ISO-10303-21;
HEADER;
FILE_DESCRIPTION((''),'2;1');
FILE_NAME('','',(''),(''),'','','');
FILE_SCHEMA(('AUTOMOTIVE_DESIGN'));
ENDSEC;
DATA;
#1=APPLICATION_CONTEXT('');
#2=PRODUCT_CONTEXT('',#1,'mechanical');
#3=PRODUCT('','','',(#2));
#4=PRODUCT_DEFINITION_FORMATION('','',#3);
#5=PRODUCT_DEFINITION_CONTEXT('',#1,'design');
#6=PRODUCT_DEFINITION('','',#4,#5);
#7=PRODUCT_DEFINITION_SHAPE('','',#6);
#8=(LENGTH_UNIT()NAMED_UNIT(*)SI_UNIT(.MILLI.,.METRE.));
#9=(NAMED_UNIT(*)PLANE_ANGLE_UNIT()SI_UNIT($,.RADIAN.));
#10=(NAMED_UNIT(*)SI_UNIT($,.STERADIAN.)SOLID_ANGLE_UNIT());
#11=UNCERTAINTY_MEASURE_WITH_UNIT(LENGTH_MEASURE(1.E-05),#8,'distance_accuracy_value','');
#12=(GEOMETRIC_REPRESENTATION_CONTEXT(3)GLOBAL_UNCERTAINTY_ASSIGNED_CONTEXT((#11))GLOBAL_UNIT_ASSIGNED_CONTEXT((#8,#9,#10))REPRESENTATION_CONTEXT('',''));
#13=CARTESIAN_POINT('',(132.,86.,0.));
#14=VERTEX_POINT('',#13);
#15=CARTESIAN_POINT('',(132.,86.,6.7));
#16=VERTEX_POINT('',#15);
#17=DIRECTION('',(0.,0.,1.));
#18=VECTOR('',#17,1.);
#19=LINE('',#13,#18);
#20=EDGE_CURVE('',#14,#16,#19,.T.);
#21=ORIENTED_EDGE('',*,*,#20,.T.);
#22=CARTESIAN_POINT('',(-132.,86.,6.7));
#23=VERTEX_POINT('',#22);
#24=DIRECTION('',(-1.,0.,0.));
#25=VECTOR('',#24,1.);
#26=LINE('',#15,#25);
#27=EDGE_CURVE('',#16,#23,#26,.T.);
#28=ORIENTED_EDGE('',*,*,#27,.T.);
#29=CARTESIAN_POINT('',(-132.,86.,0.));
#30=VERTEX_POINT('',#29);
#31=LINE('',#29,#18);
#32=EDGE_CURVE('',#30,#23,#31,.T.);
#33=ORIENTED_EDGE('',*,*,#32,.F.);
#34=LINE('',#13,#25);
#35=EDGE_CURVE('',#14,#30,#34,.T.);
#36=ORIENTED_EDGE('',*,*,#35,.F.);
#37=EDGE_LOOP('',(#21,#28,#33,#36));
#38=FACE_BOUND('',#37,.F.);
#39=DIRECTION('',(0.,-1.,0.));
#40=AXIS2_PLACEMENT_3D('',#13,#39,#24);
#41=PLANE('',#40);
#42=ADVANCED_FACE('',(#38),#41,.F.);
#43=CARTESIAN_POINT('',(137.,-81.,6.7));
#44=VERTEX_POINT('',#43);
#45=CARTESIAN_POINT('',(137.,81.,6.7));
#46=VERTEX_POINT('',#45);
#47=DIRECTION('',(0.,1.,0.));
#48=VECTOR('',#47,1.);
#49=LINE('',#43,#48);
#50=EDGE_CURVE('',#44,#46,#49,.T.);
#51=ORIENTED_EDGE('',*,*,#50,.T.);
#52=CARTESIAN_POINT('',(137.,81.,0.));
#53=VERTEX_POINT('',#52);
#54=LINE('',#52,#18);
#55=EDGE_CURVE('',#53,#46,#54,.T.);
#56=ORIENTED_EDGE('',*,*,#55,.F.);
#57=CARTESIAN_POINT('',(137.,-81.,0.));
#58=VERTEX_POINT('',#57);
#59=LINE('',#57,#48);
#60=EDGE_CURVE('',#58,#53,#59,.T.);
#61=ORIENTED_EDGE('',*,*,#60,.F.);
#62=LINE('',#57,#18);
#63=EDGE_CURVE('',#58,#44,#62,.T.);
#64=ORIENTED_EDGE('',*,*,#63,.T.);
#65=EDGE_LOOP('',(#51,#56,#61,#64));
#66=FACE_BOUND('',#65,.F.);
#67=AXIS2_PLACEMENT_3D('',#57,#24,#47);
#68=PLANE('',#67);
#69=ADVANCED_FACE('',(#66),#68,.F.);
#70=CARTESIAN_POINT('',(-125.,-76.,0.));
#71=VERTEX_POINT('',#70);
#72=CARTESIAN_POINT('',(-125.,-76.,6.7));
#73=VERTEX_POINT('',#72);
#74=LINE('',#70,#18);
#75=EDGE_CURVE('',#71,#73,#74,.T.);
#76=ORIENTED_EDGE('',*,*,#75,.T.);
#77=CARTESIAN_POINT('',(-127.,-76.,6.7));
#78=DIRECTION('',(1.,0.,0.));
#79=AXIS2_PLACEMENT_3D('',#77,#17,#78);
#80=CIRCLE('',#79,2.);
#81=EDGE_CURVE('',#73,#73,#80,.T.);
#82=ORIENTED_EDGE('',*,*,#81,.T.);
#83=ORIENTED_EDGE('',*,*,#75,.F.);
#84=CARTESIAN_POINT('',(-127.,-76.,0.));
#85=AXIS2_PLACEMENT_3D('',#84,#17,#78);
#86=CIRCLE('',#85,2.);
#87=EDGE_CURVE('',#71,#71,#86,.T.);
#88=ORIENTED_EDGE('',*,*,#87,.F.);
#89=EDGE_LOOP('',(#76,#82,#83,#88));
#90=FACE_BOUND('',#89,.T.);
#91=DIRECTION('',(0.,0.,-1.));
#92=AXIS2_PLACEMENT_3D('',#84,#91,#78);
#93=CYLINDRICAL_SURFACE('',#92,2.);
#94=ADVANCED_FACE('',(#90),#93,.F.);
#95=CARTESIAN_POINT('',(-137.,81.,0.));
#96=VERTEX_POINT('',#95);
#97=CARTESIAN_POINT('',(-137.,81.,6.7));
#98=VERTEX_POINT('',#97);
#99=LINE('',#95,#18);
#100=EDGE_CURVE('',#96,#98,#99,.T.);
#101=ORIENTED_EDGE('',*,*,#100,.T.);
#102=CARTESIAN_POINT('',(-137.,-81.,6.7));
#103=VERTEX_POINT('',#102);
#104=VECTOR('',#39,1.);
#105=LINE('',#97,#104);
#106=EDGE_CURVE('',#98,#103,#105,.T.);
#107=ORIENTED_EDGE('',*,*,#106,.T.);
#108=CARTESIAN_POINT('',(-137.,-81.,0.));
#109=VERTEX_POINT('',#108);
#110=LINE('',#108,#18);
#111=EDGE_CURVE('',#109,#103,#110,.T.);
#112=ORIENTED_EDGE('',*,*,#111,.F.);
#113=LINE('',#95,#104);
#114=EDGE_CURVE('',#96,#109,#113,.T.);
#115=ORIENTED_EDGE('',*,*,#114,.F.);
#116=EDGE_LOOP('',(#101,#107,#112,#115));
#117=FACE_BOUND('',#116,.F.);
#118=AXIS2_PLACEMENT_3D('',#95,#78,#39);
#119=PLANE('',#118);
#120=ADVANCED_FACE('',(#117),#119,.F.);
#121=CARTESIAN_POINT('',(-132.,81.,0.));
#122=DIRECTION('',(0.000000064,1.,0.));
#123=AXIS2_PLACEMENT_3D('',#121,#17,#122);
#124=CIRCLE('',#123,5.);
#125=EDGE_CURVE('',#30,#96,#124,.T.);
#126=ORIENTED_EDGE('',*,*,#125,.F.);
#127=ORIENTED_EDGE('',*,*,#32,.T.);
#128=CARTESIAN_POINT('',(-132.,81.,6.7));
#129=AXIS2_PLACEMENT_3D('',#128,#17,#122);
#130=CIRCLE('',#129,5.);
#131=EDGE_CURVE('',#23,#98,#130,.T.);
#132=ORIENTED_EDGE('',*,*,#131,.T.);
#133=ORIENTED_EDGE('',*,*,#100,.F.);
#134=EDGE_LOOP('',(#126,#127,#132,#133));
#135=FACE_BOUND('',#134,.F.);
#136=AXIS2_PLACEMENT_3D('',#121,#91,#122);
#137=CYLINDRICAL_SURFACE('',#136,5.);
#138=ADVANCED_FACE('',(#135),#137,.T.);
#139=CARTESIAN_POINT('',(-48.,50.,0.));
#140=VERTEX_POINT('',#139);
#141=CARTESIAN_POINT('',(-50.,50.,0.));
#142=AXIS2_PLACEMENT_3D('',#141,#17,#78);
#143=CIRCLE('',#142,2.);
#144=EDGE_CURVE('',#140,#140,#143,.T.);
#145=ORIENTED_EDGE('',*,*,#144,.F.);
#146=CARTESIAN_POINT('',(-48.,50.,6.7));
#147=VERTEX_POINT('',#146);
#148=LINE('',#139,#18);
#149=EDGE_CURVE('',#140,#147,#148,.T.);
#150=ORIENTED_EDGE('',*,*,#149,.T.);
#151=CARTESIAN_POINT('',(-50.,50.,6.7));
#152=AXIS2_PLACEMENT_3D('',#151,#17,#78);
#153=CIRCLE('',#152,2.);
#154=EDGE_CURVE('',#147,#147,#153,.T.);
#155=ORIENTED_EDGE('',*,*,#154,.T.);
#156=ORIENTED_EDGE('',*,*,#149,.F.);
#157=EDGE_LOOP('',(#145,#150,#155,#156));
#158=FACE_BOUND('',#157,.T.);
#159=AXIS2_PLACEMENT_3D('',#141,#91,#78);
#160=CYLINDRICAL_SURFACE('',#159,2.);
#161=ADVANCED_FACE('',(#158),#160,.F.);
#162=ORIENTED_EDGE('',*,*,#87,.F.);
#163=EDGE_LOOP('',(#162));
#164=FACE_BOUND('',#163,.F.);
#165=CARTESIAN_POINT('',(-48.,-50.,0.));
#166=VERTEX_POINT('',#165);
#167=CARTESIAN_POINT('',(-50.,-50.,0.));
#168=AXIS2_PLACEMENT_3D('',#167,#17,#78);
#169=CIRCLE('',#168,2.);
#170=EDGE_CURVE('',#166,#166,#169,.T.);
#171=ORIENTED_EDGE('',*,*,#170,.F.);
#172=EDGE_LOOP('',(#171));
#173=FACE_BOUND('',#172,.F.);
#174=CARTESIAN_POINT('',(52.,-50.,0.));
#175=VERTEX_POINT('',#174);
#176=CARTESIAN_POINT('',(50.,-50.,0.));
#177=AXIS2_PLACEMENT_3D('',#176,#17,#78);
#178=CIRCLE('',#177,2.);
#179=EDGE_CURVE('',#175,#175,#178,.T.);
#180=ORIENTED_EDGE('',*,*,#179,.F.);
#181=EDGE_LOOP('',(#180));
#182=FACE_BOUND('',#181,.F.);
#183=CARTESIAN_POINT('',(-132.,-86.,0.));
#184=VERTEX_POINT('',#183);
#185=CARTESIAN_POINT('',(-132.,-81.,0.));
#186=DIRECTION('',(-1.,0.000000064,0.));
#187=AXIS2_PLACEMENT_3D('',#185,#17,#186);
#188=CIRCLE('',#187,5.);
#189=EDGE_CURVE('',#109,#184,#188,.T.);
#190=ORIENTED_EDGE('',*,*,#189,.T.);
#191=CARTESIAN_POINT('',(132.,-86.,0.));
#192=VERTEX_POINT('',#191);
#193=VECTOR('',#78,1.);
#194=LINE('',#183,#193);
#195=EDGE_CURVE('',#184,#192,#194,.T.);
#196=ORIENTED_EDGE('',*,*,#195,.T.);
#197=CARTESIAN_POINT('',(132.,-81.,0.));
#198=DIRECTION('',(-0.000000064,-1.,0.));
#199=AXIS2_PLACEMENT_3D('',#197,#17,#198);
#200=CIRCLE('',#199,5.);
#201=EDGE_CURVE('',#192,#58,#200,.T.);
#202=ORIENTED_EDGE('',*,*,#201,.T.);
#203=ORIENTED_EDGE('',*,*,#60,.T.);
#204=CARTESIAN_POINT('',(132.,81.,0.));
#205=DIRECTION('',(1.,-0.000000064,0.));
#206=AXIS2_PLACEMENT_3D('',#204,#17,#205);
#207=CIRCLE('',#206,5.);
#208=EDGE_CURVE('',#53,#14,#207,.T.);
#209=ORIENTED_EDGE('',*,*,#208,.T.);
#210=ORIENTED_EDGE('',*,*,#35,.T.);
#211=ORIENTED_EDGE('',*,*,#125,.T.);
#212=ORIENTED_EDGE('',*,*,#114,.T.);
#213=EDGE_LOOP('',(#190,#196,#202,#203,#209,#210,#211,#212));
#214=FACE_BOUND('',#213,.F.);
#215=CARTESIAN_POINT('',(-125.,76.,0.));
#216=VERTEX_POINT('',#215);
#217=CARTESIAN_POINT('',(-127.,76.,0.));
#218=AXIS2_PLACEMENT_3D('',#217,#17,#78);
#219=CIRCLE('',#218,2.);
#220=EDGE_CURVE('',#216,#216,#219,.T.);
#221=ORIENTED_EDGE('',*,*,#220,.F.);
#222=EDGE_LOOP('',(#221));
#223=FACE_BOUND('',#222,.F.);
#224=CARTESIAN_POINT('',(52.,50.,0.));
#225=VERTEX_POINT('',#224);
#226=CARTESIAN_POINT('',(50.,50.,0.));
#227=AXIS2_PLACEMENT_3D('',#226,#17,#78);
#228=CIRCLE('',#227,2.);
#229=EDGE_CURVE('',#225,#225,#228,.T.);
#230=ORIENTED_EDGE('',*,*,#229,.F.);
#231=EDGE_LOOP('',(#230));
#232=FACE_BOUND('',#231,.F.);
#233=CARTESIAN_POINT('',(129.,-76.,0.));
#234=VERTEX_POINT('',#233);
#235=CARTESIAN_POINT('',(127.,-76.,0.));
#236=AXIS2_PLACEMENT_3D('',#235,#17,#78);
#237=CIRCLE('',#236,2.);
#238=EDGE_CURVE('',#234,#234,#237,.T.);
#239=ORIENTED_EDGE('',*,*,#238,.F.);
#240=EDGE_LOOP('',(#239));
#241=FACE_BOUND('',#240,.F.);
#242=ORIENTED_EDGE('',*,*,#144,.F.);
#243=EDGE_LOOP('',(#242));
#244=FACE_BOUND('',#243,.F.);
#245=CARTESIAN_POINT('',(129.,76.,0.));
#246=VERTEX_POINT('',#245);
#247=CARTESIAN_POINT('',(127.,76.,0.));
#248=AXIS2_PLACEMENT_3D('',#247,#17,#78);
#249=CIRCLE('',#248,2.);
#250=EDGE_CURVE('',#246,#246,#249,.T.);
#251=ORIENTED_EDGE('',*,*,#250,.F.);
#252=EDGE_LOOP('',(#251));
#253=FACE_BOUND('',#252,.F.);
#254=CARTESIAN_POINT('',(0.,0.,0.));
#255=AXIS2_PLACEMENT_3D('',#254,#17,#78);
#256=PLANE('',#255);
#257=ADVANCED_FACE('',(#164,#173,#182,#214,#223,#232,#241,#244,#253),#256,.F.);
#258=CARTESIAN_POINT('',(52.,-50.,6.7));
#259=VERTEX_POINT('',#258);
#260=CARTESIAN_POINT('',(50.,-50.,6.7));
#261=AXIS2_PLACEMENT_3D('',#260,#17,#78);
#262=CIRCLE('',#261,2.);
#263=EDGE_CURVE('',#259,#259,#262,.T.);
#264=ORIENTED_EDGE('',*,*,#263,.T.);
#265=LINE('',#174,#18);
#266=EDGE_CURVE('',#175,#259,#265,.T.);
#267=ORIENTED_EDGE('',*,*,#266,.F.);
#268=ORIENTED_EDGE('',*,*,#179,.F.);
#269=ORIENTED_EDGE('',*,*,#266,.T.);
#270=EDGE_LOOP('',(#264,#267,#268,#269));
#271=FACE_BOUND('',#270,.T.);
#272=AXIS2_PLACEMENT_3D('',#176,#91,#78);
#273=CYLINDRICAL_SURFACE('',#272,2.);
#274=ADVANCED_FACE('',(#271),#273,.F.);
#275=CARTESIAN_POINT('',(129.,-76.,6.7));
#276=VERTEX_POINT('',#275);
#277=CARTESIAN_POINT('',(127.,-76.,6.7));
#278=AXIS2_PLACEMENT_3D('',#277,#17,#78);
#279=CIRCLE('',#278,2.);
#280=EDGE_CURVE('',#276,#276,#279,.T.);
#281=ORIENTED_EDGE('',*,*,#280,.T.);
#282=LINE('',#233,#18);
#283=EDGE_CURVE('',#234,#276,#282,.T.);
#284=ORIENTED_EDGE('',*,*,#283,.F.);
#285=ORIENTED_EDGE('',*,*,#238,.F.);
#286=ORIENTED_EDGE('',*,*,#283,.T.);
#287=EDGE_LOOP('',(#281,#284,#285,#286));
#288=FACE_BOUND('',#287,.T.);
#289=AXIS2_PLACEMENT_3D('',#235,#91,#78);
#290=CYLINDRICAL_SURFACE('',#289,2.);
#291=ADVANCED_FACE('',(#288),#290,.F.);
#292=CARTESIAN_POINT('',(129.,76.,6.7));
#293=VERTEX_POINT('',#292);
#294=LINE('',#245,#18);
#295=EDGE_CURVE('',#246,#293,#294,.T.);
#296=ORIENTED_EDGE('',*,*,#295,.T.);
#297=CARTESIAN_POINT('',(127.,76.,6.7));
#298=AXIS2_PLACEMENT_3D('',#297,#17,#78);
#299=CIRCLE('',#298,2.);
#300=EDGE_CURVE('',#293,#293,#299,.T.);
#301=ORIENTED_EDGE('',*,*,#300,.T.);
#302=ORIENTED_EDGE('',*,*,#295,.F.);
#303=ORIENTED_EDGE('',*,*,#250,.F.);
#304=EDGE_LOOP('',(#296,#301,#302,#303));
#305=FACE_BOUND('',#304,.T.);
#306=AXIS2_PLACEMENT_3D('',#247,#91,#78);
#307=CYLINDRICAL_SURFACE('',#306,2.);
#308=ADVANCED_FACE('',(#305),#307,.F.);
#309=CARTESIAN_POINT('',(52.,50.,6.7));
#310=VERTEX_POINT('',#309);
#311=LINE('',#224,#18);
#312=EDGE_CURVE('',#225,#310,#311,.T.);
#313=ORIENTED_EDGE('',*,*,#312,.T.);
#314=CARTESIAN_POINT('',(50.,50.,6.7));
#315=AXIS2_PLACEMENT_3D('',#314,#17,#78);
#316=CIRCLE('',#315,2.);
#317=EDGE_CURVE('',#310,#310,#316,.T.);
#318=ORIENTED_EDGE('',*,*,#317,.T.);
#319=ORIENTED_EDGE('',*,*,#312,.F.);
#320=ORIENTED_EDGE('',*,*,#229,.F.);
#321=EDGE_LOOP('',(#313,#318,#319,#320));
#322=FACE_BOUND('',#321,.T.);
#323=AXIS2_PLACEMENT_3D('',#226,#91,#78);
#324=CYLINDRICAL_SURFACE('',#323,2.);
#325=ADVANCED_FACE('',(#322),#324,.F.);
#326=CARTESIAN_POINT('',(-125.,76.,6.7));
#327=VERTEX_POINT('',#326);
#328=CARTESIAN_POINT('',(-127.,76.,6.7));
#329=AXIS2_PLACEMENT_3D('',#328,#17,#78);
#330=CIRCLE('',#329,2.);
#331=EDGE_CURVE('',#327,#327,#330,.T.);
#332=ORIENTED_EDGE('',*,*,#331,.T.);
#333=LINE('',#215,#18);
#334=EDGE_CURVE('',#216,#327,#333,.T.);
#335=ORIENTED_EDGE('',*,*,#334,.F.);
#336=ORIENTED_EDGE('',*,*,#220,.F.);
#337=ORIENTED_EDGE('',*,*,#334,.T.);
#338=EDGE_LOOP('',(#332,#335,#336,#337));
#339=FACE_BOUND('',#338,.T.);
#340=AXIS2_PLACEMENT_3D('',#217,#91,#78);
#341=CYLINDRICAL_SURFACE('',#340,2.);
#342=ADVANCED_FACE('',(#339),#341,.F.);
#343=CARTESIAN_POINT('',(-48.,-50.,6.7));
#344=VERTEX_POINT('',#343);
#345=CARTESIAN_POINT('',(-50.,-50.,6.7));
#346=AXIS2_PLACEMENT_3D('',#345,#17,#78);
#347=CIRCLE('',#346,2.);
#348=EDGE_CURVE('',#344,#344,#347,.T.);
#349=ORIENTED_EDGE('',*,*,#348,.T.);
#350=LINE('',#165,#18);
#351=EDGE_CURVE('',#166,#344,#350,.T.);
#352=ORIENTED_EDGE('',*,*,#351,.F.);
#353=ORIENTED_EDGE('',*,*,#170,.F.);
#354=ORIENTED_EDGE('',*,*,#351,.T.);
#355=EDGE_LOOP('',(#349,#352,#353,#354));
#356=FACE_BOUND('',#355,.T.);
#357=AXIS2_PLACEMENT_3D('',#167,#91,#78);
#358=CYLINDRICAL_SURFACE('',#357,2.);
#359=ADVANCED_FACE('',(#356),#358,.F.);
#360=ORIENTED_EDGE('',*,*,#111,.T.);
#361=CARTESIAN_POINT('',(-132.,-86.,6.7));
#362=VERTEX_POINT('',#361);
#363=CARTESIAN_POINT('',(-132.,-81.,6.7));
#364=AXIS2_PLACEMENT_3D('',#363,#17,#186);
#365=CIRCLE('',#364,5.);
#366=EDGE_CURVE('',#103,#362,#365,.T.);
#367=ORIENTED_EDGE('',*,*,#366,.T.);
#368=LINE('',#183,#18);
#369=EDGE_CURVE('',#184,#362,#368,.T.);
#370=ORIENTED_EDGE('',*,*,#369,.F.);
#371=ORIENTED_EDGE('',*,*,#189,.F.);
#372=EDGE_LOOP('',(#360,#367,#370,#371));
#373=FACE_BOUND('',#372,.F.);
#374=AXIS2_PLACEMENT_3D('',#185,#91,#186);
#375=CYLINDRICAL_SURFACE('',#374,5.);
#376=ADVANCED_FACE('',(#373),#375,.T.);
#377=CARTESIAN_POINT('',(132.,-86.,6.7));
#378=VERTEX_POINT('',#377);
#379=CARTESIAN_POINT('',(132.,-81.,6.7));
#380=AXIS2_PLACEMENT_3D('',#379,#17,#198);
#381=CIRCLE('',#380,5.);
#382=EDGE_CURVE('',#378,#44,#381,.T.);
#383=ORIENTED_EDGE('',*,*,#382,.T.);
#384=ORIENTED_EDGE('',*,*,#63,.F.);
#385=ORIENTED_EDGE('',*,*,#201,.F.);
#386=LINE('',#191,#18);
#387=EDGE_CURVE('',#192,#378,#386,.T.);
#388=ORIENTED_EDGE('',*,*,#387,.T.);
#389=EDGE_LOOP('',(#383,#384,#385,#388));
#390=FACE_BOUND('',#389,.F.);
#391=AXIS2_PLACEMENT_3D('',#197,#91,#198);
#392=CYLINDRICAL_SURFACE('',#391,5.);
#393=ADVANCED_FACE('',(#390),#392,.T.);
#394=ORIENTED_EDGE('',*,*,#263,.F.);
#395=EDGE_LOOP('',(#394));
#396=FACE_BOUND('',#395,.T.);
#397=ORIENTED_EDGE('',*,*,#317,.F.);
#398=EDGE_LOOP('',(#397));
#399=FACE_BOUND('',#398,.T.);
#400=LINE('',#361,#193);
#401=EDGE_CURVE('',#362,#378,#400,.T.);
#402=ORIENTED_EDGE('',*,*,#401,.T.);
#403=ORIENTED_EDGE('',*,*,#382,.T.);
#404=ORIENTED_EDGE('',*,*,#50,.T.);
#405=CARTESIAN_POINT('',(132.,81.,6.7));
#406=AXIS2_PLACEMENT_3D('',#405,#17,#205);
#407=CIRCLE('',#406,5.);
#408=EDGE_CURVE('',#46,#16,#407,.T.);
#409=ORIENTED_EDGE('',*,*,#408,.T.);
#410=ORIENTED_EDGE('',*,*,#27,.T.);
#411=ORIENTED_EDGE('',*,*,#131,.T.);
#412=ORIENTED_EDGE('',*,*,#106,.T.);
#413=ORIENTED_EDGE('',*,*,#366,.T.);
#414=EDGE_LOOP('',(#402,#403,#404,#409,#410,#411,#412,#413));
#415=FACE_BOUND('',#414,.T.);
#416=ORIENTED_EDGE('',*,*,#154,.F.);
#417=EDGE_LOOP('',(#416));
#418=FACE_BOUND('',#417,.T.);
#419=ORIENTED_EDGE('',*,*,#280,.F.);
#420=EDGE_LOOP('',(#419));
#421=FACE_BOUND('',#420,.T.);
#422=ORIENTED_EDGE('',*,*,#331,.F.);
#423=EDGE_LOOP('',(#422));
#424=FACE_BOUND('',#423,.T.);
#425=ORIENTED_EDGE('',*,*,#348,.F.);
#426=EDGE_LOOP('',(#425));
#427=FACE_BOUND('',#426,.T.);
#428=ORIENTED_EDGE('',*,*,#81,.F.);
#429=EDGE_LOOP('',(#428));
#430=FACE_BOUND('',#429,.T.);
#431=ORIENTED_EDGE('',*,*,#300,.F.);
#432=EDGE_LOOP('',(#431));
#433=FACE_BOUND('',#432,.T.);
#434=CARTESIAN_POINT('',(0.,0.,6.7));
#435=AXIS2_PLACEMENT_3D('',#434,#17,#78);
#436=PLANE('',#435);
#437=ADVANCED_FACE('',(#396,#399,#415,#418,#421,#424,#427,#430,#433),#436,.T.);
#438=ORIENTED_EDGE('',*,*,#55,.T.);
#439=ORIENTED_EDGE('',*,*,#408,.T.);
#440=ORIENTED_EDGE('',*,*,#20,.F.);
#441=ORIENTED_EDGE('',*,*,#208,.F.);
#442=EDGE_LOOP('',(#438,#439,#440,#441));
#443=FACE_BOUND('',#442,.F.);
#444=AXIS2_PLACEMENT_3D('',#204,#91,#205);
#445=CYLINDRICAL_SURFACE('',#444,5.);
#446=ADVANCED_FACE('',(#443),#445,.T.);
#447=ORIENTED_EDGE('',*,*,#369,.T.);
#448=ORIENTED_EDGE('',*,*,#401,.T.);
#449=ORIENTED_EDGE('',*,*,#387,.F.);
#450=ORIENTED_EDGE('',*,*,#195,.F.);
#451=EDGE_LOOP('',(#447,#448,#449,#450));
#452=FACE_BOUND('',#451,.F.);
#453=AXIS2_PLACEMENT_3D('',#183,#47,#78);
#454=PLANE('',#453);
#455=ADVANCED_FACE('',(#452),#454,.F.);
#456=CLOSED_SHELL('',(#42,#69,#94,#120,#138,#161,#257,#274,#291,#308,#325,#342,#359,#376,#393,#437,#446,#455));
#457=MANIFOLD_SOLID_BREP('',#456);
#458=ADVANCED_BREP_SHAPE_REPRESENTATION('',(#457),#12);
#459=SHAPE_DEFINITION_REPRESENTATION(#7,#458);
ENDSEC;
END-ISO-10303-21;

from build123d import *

# Parameters (mm, degrees)
F0_R     = 2
F1_DEPTH = 6.7


with BuildPart() as f1:
    # F0 (on Top) → F1 (new body)
    with BuildSketch(Plane.XY):
        with BuildLine():
            ThreePointArc((137, 81), (135.535534, 84.535534), (132, 86))
            Line((132, 86), (-132, 86))
            ThreePointArc((-132, 86), (-135.535534, 84.535534), (-137, 81))
            Line((-137, 81), (-137, -81))
            ThreePointArc((-137, -81), (-135.535534, -84.535534), (-132, -86))
            Line((-132, -86), (132, -86))
            ThreePointArc((132, -86), (135.535534, -84.535534), (137, -81))
            Line((137, -81), (137, 81))
        make_face()
        with Locations((-127, -76)):
            Circle(F0_R, mode=Mode.SUBTRACT)
        with Locations((-50, -50)):
            Circle(F0_R, mode=Mode.SUBTRACT)
        with Locations((50, -50)):
            Circle(F0_R, mode=Mode.SUBTRACT)
        with Locations((127, -76)):
            Circle(F0_R, mode=Mode.SUBTRACT)
        with Locations((-127, 76)):
            Circle(F0_R, mode=Mode.SUBTRACT)
        with Locations((-50, 50)):
            Circle(F0_R, mode=Mode.SUBTRACT)
        with Locations((50, 50)):
            Circle(F0_R, mode=Mode.SUBTRACT)
        with Locations((127, 76)):
            Circle(F0_R, mode=Mode.SUBTRACT)
    extrude(amount=F1_DEPTH)


solid = f1.part
